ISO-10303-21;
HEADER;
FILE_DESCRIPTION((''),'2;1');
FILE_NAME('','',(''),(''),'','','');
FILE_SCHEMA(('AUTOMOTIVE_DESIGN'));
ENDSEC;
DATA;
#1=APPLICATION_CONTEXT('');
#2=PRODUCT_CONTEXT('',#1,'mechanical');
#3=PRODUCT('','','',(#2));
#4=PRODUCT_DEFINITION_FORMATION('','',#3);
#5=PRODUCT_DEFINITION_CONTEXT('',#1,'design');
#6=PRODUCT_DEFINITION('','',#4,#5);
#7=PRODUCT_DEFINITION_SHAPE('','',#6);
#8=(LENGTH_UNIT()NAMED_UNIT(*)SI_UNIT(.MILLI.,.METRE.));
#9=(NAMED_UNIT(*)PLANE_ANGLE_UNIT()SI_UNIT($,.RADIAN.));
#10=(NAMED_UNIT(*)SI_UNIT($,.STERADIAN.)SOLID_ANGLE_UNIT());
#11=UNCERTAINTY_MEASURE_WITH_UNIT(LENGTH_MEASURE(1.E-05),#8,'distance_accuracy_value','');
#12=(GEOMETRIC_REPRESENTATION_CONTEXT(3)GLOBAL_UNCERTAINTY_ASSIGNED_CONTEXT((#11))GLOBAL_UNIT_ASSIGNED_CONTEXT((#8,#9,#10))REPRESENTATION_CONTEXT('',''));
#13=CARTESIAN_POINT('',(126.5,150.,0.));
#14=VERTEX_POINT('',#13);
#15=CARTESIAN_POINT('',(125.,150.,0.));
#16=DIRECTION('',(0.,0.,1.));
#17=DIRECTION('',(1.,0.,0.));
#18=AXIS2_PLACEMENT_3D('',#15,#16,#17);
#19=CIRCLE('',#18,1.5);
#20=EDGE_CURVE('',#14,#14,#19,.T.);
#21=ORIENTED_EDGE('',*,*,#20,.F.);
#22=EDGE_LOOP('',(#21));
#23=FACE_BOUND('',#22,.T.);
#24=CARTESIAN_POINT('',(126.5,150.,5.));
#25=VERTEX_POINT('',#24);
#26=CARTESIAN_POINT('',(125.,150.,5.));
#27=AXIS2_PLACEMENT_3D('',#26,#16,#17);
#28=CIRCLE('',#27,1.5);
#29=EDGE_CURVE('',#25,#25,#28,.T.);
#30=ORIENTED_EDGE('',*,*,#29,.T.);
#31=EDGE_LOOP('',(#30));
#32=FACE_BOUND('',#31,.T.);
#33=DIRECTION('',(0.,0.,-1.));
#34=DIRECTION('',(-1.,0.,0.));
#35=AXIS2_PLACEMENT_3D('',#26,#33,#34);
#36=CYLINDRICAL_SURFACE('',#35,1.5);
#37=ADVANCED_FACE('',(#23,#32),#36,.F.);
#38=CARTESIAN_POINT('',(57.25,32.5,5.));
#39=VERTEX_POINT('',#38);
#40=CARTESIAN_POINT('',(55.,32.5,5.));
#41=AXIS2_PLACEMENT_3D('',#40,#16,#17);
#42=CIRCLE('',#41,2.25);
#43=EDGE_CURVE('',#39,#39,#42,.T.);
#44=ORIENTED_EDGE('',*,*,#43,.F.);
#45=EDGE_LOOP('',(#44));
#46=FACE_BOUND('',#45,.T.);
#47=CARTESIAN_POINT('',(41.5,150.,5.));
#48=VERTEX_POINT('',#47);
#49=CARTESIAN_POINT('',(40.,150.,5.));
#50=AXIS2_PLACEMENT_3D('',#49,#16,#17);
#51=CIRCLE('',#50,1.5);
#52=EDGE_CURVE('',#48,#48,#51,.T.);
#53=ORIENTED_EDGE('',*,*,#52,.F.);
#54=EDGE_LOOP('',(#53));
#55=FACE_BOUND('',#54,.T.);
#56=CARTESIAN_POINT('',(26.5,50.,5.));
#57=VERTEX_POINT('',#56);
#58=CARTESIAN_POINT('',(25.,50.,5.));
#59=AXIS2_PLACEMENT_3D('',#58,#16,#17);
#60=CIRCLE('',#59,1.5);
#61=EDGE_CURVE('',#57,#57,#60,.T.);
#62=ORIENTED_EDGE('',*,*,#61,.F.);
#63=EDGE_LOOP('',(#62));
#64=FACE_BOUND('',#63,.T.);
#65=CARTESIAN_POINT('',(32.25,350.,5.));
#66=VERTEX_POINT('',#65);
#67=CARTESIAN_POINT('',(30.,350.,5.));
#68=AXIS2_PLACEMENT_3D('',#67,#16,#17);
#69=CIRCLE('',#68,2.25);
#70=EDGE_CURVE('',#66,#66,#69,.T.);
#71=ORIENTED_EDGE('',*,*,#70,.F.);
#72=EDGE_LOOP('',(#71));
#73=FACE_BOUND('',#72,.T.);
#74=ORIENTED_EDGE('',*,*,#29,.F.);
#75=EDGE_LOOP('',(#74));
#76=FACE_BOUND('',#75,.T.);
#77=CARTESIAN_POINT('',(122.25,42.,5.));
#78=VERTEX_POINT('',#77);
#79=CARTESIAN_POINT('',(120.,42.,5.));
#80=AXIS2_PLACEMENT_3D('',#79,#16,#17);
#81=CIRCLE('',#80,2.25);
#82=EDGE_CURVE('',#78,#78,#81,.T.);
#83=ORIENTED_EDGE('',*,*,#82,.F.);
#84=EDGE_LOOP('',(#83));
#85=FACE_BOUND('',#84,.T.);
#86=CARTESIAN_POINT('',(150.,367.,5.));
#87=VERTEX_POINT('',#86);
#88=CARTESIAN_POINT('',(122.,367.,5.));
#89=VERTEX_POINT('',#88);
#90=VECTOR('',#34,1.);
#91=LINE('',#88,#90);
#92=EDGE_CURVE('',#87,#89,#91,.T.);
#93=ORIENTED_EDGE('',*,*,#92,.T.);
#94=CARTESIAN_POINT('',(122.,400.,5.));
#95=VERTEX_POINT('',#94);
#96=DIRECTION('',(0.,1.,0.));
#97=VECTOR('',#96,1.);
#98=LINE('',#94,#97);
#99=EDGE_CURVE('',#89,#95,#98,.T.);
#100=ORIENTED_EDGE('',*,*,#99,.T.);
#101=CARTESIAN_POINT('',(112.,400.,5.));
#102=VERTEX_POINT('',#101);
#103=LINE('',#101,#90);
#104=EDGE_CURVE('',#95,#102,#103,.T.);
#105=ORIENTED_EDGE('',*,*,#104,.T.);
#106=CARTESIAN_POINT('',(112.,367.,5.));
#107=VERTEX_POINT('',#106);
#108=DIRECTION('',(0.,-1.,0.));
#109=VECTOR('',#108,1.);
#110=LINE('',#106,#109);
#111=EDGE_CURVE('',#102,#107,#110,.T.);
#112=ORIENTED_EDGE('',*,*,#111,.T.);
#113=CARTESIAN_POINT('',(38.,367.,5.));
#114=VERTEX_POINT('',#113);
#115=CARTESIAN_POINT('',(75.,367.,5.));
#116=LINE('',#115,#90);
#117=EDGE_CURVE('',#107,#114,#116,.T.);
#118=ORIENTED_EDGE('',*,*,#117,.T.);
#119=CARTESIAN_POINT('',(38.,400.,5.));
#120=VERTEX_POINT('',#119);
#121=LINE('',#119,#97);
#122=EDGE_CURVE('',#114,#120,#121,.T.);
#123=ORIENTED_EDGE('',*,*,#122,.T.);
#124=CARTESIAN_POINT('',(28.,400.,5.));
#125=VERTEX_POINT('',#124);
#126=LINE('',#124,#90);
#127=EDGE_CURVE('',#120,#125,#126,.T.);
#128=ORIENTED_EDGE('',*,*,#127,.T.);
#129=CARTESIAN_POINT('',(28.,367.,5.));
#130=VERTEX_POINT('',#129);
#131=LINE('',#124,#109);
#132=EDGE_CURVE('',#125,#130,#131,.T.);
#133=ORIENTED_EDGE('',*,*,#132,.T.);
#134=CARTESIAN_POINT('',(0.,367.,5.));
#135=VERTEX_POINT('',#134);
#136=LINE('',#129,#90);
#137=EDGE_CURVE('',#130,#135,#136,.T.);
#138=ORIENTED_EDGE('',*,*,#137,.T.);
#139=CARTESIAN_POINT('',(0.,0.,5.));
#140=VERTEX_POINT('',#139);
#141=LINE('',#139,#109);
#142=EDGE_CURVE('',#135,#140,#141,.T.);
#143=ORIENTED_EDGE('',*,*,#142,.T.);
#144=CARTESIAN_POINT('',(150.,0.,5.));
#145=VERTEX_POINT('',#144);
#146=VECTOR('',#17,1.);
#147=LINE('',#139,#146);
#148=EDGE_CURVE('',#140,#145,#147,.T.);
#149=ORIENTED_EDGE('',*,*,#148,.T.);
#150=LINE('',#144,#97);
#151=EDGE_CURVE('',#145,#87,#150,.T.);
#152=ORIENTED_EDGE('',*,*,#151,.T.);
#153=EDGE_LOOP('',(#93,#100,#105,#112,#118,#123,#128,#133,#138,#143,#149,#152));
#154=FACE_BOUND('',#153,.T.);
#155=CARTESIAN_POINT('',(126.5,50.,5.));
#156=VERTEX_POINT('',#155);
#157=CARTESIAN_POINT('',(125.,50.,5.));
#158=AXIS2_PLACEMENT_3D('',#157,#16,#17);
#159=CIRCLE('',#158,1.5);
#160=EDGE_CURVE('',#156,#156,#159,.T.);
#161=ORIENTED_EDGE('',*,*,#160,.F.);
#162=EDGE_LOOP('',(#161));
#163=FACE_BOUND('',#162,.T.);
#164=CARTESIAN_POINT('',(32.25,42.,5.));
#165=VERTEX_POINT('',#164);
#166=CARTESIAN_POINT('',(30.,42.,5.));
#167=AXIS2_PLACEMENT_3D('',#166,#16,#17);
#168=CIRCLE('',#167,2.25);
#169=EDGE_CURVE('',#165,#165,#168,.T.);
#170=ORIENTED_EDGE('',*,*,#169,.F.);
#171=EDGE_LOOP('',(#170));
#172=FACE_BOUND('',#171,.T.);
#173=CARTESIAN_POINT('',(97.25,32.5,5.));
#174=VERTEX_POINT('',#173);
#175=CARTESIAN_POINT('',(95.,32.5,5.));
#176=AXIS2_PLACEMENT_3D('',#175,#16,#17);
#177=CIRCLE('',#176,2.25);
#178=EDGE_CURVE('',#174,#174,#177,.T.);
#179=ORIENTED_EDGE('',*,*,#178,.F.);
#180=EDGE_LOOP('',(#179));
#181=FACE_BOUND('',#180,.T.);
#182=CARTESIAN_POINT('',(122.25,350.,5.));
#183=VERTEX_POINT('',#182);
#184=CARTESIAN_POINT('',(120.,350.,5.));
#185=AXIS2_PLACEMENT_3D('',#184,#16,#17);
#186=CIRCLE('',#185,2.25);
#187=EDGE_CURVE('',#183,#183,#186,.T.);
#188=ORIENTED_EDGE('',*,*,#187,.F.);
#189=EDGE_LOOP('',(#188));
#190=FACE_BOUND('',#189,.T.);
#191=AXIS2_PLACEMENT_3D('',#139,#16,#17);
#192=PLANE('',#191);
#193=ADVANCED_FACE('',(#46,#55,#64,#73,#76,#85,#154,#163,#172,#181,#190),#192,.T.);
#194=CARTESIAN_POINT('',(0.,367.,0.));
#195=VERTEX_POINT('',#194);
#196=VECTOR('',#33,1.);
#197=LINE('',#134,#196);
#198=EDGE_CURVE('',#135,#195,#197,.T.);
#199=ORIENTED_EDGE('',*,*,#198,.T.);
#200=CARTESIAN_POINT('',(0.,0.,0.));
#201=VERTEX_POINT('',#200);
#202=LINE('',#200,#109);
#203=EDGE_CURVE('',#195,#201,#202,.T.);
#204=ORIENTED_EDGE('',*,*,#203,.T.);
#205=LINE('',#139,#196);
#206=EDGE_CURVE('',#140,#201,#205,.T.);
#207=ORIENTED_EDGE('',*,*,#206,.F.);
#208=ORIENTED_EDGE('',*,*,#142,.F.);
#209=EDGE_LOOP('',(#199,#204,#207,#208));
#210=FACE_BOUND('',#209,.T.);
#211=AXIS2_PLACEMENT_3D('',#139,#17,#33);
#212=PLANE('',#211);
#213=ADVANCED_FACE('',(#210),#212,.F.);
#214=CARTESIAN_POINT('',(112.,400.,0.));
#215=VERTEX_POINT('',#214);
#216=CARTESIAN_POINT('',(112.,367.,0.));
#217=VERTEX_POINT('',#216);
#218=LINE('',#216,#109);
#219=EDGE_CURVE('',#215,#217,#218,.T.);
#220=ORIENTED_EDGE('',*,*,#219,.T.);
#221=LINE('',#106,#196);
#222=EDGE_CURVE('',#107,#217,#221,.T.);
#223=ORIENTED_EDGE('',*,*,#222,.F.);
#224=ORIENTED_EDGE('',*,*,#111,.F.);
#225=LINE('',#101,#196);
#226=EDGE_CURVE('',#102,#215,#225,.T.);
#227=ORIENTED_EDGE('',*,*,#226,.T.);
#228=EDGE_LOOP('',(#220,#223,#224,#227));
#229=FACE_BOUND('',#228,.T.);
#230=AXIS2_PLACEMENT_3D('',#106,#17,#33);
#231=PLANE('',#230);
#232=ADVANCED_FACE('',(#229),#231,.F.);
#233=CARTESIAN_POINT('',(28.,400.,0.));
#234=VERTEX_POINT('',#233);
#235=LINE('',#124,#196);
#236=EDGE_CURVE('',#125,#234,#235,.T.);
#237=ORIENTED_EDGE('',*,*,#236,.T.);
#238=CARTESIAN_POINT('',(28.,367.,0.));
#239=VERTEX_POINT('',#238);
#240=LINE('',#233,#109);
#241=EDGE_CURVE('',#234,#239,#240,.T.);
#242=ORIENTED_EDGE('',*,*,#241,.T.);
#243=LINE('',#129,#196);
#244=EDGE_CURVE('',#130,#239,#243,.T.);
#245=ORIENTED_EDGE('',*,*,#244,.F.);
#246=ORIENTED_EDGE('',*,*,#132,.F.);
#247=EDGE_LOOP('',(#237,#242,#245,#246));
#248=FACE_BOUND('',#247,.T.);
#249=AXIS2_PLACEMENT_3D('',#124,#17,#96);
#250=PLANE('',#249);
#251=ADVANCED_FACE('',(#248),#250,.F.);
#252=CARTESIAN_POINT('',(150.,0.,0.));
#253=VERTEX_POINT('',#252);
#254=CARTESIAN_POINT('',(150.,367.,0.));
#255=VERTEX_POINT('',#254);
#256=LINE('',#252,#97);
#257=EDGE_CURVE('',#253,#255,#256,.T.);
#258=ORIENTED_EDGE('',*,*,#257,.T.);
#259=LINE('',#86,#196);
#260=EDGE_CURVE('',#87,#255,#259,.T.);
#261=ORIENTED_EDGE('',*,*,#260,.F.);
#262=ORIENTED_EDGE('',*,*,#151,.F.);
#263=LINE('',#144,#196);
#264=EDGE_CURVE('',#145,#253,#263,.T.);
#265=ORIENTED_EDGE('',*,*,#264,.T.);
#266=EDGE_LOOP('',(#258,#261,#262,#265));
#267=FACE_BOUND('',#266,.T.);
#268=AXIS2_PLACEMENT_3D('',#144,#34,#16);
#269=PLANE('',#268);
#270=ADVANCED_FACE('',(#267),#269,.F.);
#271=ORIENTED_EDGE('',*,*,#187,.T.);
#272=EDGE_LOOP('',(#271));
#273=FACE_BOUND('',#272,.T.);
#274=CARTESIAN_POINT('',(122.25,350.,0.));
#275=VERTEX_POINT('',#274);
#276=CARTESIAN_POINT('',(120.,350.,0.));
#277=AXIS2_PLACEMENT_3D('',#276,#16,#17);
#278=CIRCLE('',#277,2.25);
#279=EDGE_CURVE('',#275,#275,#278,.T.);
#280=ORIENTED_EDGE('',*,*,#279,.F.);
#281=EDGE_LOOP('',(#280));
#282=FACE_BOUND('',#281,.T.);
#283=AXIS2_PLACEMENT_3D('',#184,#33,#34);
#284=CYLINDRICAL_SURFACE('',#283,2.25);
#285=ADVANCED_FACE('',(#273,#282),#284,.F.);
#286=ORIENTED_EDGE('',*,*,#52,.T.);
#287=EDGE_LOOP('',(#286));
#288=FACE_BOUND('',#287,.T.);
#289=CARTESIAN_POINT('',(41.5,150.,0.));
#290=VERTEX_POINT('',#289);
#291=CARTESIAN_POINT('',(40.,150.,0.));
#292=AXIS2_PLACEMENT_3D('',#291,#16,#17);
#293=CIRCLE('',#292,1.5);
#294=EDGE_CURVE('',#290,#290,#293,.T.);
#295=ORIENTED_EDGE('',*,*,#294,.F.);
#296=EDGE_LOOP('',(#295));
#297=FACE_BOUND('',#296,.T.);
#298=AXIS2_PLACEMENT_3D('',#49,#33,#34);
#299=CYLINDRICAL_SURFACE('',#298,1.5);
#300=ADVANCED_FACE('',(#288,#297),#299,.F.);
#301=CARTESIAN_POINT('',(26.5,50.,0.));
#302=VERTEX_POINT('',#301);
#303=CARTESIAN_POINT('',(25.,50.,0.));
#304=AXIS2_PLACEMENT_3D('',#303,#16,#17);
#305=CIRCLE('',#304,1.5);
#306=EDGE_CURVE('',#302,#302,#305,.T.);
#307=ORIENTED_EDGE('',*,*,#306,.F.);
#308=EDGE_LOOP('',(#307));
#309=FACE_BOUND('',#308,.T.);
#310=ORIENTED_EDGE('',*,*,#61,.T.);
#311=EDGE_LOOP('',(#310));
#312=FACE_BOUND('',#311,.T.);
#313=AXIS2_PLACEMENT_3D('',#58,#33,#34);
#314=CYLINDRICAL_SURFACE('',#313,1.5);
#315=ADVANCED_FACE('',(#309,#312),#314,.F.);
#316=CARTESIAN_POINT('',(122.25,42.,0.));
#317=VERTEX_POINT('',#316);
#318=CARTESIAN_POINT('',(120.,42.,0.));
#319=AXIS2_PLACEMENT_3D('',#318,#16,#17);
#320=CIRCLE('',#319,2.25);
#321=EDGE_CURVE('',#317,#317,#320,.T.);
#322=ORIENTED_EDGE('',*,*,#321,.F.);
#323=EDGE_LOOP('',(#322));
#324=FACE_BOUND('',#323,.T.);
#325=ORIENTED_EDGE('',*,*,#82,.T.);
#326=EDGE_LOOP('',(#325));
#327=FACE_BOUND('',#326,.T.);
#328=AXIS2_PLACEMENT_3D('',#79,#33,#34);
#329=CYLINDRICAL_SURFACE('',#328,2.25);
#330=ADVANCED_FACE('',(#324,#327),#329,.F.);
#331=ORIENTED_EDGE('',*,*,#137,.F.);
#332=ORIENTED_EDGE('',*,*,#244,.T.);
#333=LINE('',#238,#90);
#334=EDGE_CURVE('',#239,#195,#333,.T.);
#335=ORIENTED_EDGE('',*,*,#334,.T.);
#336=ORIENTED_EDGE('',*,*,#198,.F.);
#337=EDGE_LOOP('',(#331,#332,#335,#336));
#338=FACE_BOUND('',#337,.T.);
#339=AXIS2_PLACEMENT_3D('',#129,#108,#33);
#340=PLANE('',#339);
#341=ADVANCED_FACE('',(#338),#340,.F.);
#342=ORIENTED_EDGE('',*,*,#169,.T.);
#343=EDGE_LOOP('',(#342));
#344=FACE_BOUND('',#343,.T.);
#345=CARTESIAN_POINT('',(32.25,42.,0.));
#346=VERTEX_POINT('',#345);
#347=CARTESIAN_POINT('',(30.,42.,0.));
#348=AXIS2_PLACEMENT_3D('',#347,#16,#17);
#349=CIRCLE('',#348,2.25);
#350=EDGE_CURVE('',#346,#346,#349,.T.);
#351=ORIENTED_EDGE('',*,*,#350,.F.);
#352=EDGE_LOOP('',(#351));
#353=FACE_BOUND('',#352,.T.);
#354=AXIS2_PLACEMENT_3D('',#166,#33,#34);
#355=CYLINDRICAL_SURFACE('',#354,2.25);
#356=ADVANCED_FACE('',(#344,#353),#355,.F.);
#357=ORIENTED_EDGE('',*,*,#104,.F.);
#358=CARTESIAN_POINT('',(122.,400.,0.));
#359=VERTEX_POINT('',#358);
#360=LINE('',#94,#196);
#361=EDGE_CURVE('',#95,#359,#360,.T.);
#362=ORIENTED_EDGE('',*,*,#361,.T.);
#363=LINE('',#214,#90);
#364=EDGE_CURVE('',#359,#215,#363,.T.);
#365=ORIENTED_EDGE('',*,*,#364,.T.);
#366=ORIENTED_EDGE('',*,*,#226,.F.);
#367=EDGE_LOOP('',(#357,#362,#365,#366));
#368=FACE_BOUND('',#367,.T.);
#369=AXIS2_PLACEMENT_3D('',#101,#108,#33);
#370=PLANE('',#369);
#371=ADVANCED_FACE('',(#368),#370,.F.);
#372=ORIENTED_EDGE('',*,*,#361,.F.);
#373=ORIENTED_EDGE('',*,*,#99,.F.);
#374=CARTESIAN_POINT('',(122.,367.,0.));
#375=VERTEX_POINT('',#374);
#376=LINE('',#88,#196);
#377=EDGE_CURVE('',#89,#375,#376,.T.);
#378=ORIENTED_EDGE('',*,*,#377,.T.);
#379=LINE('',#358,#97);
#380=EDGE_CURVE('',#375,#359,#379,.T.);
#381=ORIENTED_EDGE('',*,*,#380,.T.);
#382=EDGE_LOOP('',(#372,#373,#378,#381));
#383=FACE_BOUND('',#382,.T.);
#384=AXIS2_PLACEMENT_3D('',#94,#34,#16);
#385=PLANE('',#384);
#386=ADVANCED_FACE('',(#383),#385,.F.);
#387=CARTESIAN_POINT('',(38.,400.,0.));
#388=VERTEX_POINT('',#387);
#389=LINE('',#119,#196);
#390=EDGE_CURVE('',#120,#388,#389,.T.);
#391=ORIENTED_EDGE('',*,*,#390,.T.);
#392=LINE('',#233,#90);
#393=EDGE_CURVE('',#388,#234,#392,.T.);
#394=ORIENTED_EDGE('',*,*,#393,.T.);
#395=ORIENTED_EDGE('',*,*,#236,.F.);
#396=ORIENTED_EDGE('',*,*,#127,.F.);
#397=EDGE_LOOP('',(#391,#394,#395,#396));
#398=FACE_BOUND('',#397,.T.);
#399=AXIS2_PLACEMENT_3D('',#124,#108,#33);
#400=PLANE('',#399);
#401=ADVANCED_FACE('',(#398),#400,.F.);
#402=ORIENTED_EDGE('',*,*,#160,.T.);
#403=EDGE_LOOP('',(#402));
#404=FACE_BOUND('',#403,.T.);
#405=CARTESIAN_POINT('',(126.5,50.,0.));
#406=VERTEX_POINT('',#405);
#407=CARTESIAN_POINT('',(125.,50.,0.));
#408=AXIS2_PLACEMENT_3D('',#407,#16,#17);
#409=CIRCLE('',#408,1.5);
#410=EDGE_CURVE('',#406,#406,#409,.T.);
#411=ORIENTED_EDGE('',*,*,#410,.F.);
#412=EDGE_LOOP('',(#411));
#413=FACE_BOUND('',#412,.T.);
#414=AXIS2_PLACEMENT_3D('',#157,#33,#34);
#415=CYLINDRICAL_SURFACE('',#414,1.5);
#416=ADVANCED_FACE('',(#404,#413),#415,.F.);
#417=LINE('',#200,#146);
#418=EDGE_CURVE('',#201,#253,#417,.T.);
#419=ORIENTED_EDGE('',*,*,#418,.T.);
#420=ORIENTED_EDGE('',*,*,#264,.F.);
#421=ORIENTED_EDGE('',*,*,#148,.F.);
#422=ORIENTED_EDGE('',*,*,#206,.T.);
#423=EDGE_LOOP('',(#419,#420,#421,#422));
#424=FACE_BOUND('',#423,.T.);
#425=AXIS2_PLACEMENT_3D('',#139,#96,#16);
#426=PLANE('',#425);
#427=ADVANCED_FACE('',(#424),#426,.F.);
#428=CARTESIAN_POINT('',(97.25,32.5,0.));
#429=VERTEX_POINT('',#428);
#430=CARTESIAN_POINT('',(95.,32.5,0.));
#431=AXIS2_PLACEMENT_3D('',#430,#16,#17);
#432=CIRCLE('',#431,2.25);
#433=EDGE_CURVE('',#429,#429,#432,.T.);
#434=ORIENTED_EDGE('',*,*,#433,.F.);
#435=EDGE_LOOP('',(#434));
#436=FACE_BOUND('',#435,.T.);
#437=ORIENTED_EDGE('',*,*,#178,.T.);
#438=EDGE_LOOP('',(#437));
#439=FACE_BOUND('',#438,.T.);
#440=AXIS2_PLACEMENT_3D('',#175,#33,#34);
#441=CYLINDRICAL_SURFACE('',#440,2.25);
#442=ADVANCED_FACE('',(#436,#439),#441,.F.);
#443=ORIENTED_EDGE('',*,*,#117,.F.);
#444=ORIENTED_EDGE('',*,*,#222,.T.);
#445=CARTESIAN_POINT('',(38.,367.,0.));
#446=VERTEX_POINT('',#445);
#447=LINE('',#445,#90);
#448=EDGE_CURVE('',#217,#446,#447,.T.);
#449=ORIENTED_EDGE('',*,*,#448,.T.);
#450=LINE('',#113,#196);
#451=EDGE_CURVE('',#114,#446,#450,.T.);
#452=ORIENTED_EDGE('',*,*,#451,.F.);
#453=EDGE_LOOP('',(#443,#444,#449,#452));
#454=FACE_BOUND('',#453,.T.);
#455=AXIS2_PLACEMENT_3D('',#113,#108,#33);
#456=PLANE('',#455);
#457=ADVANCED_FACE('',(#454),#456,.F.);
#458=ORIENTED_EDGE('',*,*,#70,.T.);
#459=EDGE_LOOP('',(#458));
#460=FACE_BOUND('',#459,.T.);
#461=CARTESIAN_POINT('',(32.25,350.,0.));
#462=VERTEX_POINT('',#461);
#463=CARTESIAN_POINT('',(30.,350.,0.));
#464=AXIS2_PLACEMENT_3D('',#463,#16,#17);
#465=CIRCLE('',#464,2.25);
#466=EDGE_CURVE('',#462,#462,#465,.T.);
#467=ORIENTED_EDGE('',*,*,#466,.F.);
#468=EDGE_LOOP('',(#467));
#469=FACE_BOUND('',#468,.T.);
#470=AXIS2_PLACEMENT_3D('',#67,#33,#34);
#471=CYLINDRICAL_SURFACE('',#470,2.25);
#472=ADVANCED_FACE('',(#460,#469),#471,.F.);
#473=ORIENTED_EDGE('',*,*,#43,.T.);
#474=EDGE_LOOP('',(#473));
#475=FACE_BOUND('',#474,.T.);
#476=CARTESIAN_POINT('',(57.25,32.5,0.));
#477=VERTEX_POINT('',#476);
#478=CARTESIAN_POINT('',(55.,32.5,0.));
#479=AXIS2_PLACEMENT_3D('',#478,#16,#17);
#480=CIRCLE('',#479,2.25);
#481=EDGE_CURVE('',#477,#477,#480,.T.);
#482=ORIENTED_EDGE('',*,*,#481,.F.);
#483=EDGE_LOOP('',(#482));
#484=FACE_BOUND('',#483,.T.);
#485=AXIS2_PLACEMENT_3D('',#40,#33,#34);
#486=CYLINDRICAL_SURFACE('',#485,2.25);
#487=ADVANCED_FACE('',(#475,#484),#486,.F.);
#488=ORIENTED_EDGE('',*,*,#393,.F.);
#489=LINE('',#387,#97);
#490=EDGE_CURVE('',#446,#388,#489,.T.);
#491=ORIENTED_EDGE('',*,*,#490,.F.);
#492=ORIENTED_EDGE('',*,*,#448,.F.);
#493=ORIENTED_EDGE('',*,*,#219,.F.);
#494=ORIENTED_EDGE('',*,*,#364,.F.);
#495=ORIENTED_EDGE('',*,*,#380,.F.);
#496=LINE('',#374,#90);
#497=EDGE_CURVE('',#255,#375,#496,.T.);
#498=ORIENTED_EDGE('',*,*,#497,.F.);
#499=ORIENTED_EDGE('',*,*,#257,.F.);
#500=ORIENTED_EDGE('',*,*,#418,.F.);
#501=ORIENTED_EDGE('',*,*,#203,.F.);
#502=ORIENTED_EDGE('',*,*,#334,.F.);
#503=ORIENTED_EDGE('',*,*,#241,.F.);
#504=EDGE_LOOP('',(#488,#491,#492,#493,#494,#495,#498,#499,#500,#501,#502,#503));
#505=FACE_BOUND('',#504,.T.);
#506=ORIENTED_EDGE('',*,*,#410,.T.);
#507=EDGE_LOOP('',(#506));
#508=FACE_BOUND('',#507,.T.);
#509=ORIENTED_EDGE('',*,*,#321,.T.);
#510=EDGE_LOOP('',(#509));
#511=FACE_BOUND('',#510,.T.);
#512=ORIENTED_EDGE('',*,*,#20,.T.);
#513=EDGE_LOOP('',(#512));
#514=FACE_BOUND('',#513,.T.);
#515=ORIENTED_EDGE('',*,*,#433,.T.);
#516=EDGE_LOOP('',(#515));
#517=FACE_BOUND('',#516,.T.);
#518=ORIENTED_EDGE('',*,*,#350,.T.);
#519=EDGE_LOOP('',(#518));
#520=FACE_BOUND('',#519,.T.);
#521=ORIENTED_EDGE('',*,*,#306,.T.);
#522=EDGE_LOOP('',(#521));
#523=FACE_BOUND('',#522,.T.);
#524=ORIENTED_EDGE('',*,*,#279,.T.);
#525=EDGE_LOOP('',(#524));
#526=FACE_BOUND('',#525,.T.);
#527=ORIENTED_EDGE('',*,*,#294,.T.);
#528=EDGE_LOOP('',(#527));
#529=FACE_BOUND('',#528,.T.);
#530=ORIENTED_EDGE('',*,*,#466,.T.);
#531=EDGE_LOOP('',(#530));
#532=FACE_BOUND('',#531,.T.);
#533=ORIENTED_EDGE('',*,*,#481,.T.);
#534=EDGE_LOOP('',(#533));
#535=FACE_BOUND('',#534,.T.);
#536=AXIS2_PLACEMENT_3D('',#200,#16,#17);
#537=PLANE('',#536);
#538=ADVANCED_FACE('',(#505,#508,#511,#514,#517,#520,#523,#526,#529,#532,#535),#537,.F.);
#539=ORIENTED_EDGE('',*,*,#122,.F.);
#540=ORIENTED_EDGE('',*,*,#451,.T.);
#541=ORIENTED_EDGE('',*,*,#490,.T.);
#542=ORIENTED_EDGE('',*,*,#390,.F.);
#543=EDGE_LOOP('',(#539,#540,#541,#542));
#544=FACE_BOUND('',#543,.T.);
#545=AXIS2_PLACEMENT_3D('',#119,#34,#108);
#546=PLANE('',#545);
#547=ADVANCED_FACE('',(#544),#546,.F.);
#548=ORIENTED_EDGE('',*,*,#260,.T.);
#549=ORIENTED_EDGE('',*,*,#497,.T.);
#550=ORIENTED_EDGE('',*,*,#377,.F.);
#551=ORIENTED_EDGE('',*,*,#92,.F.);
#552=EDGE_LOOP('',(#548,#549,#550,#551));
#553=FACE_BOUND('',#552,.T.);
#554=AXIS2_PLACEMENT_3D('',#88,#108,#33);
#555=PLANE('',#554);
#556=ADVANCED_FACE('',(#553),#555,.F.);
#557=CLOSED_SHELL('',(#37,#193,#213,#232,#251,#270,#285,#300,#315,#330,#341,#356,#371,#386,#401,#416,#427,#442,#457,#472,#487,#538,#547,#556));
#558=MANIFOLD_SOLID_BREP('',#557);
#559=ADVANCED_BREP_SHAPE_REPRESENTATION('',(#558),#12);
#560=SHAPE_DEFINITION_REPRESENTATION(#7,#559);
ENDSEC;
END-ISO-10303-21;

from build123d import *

# Parameters (mm, degrees)
SKETCH_1_R      = 2.25
SKETCH_1_R_2    = 1.5
EXTRUDE_1_DEPTH = 5


with BuildPart() as part:
    # 草图1 → 凸台-拉伸1 (new body)
    with BuildSketch(Plane.XY):
        Polygon((0, 0), (150, 0), (150, 367), (122, 367), (122, 400), (112, 400), (112, 367), (75, 367), (38, 367), (38, 400), (28, 400), (28, 367), (0, 367), align=None)
        with Locations((30, 42)):
            Circle(SKETCH_1_R, mode=Mode.SUBTRACT)
        with Locations((120, 42)):
            Circle(SKETCH_1_R, mode=Mode.SUBTRACT)
        with Locations((30, 350)):
            Circle(SKETCH_1_R, mode=Mode.SUBTRACT)
        with Locations((120, 350)):
            Circle(SKETCH_1_R, mode=Mode.SUBTRACT)
        with Locations((25, 50)):
            Circle(SKETCH_1_R_2, mode=Mode.SUBTRACT)
        with Locations((125, 50)):
            Circle(SKETCH_1_R_2, mode=Mode.SUBTRACT)
        with Locations((40, 150)):
            Circle(SKETCH_1_R_2, mode=Mode.SUBTRACT)
        with Locations((125, 150)):
            Circle(SKETCH_1_R_2, mode=Mode.SUBTRACT)
        with Locations((55, 32.5)):
            Circle(SKETCH_1_R, mode=Mode.SUBTRACT)
        with Locations((95, 32.5)):
            Circle(SKETCH_1_R, mode=Mode.SUBTRACT)
    extrude(amount=EXTRUDE_1_DEPTH)


solid = part.part
